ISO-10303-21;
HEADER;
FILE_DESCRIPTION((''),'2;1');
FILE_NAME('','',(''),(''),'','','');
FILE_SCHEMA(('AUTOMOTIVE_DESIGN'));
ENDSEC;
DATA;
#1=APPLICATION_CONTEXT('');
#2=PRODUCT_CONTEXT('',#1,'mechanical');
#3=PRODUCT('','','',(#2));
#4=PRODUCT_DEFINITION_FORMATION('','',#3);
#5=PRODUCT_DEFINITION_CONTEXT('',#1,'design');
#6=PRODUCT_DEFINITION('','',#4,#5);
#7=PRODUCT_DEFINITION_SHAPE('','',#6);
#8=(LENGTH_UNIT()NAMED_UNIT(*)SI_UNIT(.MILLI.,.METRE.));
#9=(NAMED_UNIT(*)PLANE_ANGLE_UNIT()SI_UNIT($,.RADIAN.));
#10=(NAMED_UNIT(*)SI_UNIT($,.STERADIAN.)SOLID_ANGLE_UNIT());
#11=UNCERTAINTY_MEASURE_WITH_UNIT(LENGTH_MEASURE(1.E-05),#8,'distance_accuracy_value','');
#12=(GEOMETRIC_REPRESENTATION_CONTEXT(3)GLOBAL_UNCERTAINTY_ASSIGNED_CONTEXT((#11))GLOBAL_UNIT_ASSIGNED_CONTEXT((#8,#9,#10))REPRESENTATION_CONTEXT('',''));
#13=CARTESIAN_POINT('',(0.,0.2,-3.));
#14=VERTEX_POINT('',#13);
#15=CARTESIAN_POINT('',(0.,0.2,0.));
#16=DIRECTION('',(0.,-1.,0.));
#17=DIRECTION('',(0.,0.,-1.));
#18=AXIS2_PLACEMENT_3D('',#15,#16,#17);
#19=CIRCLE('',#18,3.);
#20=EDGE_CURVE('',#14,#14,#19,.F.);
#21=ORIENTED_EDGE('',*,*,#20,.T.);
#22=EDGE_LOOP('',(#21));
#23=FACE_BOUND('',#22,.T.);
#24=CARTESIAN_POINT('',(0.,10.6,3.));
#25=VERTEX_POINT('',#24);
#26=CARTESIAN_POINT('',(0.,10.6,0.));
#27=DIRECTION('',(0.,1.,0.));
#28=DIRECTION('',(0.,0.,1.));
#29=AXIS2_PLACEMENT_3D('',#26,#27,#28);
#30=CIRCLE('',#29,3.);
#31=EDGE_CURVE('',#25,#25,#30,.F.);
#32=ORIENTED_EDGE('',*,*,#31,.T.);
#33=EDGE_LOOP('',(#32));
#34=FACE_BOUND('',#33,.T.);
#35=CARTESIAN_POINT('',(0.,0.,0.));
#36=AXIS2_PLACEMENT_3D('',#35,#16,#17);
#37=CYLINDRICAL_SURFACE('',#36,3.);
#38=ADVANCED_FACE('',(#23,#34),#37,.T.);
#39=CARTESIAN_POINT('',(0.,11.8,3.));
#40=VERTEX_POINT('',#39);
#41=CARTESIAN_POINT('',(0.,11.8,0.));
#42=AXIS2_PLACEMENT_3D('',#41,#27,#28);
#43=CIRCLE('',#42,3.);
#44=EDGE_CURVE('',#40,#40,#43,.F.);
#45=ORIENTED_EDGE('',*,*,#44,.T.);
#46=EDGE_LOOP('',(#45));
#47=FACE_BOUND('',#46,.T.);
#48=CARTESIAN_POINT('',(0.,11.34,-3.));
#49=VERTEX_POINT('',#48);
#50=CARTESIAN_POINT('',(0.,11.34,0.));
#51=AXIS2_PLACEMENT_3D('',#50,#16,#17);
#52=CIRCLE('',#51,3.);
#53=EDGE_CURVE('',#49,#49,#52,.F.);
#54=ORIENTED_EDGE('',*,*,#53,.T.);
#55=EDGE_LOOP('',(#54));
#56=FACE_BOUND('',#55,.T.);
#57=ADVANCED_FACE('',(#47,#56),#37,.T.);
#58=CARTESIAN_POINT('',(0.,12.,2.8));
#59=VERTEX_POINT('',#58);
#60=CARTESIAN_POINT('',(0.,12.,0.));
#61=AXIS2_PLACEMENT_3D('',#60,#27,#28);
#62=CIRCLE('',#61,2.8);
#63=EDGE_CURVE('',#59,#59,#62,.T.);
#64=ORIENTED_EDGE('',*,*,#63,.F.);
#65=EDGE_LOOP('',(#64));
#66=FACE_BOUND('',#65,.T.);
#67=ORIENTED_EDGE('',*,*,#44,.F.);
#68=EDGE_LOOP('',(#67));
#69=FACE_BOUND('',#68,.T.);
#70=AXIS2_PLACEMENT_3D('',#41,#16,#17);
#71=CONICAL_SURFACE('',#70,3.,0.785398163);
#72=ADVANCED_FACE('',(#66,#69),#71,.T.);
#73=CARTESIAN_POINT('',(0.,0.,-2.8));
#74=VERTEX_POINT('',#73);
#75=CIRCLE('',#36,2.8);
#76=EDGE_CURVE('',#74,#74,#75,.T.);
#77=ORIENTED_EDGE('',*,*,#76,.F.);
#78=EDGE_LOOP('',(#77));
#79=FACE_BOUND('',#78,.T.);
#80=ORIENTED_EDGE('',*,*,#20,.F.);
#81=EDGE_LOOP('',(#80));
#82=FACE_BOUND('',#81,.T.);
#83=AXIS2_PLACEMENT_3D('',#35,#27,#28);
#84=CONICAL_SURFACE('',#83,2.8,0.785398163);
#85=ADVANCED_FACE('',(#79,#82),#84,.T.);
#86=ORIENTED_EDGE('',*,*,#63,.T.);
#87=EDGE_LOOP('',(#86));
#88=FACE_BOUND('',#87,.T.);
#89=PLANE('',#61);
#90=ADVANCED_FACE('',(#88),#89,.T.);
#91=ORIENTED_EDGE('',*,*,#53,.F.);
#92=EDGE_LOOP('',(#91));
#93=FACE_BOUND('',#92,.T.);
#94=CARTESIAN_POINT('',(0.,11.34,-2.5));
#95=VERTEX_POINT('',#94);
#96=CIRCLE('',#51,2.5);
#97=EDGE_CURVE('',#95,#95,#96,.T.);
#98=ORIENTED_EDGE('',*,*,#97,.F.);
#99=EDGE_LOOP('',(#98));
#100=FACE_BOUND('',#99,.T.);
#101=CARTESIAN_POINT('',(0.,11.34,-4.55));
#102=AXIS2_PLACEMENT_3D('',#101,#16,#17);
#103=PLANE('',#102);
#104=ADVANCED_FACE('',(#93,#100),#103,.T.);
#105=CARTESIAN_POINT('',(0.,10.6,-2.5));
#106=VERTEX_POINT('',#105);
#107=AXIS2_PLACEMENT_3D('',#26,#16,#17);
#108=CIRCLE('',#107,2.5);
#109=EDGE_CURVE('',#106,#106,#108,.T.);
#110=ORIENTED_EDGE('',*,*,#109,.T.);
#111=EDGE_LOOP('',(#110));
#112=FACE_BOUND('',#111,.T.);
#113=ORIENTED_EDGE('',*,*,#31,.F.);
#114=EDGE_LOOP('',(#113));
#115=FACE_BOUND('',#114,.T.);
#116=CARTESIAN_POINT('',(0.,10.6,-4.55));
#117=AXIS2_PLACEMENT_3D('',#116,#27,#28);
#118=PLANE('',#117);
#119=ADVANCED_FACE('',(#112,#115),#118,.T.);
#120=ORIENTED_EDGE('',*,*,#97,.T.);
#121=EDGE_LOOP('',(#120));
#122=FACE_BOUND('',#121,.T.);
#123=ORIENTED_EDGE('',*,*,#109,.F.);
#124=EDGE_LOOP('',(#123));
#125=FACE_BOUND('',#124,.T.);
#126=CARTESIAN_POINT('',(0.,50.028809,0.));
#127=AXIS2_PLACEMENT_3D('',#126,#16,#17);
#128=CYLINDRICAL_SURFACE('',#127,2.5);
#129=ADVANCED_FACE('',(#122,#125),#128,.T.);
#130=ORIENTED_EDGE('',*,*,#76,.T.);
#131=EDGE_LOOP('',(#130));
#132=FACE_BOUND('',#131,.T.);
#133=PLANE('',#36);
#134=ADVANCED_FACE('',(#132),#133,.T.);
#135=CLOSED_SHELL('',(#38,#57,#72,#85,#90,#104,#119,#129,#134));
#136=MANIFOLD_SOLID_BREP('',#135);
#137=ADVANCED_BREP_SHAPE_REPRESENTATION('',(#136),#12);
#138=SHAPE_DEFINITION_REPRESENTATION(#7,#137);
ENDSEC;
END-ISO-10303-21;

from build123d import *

# Parameters (mm, degrees)
SKETCH1_W       = 3
SKETCH1_H       = 12
SKETCH5_W       = 2.05
SKETCH5_H       = 0.74
CHANFREIN1_SIZE = 0.2


with BuildPart() as part:
    # Sketch1 → Revolve1 (revolve)
    with BuildSketch(Plane.XY):
        with Locations((1.5, 6)):
            Rectangle(SKETCH1_W, SKETCH1_H)
    revolve(axis=Axis((0, 0, 0), (0, 1, 0)))

    # Sketch5 → Groove for DIN 471 - 4 x 0.4, Circlip for shafts - normal1 (revolve, cut)
    with BuildSketch(Plane(origin=(0, 0, 0), x_dir=(0, 0, -1), z_dir=(-1, 0, 0))):
        with Locations((3.525, -10.97)):
            Rectangle(SKETCH5_W, SKETCH5_H)
    revolve(axis=Axis((0, 50.028808754, 0), (0, -1, 0)), mode=Mode.SUBTRACT)

    # Chanfrein1
    chanfrein1_edges = [part.edges().sort_by_distance(p)[0] for p in [
        (-3, 0, 0),
        (-3, 12, 0),
    ]]
    chamfer(chanfrein1_edges, length=CHANFREIN1_SIZE)


solid = part.part
